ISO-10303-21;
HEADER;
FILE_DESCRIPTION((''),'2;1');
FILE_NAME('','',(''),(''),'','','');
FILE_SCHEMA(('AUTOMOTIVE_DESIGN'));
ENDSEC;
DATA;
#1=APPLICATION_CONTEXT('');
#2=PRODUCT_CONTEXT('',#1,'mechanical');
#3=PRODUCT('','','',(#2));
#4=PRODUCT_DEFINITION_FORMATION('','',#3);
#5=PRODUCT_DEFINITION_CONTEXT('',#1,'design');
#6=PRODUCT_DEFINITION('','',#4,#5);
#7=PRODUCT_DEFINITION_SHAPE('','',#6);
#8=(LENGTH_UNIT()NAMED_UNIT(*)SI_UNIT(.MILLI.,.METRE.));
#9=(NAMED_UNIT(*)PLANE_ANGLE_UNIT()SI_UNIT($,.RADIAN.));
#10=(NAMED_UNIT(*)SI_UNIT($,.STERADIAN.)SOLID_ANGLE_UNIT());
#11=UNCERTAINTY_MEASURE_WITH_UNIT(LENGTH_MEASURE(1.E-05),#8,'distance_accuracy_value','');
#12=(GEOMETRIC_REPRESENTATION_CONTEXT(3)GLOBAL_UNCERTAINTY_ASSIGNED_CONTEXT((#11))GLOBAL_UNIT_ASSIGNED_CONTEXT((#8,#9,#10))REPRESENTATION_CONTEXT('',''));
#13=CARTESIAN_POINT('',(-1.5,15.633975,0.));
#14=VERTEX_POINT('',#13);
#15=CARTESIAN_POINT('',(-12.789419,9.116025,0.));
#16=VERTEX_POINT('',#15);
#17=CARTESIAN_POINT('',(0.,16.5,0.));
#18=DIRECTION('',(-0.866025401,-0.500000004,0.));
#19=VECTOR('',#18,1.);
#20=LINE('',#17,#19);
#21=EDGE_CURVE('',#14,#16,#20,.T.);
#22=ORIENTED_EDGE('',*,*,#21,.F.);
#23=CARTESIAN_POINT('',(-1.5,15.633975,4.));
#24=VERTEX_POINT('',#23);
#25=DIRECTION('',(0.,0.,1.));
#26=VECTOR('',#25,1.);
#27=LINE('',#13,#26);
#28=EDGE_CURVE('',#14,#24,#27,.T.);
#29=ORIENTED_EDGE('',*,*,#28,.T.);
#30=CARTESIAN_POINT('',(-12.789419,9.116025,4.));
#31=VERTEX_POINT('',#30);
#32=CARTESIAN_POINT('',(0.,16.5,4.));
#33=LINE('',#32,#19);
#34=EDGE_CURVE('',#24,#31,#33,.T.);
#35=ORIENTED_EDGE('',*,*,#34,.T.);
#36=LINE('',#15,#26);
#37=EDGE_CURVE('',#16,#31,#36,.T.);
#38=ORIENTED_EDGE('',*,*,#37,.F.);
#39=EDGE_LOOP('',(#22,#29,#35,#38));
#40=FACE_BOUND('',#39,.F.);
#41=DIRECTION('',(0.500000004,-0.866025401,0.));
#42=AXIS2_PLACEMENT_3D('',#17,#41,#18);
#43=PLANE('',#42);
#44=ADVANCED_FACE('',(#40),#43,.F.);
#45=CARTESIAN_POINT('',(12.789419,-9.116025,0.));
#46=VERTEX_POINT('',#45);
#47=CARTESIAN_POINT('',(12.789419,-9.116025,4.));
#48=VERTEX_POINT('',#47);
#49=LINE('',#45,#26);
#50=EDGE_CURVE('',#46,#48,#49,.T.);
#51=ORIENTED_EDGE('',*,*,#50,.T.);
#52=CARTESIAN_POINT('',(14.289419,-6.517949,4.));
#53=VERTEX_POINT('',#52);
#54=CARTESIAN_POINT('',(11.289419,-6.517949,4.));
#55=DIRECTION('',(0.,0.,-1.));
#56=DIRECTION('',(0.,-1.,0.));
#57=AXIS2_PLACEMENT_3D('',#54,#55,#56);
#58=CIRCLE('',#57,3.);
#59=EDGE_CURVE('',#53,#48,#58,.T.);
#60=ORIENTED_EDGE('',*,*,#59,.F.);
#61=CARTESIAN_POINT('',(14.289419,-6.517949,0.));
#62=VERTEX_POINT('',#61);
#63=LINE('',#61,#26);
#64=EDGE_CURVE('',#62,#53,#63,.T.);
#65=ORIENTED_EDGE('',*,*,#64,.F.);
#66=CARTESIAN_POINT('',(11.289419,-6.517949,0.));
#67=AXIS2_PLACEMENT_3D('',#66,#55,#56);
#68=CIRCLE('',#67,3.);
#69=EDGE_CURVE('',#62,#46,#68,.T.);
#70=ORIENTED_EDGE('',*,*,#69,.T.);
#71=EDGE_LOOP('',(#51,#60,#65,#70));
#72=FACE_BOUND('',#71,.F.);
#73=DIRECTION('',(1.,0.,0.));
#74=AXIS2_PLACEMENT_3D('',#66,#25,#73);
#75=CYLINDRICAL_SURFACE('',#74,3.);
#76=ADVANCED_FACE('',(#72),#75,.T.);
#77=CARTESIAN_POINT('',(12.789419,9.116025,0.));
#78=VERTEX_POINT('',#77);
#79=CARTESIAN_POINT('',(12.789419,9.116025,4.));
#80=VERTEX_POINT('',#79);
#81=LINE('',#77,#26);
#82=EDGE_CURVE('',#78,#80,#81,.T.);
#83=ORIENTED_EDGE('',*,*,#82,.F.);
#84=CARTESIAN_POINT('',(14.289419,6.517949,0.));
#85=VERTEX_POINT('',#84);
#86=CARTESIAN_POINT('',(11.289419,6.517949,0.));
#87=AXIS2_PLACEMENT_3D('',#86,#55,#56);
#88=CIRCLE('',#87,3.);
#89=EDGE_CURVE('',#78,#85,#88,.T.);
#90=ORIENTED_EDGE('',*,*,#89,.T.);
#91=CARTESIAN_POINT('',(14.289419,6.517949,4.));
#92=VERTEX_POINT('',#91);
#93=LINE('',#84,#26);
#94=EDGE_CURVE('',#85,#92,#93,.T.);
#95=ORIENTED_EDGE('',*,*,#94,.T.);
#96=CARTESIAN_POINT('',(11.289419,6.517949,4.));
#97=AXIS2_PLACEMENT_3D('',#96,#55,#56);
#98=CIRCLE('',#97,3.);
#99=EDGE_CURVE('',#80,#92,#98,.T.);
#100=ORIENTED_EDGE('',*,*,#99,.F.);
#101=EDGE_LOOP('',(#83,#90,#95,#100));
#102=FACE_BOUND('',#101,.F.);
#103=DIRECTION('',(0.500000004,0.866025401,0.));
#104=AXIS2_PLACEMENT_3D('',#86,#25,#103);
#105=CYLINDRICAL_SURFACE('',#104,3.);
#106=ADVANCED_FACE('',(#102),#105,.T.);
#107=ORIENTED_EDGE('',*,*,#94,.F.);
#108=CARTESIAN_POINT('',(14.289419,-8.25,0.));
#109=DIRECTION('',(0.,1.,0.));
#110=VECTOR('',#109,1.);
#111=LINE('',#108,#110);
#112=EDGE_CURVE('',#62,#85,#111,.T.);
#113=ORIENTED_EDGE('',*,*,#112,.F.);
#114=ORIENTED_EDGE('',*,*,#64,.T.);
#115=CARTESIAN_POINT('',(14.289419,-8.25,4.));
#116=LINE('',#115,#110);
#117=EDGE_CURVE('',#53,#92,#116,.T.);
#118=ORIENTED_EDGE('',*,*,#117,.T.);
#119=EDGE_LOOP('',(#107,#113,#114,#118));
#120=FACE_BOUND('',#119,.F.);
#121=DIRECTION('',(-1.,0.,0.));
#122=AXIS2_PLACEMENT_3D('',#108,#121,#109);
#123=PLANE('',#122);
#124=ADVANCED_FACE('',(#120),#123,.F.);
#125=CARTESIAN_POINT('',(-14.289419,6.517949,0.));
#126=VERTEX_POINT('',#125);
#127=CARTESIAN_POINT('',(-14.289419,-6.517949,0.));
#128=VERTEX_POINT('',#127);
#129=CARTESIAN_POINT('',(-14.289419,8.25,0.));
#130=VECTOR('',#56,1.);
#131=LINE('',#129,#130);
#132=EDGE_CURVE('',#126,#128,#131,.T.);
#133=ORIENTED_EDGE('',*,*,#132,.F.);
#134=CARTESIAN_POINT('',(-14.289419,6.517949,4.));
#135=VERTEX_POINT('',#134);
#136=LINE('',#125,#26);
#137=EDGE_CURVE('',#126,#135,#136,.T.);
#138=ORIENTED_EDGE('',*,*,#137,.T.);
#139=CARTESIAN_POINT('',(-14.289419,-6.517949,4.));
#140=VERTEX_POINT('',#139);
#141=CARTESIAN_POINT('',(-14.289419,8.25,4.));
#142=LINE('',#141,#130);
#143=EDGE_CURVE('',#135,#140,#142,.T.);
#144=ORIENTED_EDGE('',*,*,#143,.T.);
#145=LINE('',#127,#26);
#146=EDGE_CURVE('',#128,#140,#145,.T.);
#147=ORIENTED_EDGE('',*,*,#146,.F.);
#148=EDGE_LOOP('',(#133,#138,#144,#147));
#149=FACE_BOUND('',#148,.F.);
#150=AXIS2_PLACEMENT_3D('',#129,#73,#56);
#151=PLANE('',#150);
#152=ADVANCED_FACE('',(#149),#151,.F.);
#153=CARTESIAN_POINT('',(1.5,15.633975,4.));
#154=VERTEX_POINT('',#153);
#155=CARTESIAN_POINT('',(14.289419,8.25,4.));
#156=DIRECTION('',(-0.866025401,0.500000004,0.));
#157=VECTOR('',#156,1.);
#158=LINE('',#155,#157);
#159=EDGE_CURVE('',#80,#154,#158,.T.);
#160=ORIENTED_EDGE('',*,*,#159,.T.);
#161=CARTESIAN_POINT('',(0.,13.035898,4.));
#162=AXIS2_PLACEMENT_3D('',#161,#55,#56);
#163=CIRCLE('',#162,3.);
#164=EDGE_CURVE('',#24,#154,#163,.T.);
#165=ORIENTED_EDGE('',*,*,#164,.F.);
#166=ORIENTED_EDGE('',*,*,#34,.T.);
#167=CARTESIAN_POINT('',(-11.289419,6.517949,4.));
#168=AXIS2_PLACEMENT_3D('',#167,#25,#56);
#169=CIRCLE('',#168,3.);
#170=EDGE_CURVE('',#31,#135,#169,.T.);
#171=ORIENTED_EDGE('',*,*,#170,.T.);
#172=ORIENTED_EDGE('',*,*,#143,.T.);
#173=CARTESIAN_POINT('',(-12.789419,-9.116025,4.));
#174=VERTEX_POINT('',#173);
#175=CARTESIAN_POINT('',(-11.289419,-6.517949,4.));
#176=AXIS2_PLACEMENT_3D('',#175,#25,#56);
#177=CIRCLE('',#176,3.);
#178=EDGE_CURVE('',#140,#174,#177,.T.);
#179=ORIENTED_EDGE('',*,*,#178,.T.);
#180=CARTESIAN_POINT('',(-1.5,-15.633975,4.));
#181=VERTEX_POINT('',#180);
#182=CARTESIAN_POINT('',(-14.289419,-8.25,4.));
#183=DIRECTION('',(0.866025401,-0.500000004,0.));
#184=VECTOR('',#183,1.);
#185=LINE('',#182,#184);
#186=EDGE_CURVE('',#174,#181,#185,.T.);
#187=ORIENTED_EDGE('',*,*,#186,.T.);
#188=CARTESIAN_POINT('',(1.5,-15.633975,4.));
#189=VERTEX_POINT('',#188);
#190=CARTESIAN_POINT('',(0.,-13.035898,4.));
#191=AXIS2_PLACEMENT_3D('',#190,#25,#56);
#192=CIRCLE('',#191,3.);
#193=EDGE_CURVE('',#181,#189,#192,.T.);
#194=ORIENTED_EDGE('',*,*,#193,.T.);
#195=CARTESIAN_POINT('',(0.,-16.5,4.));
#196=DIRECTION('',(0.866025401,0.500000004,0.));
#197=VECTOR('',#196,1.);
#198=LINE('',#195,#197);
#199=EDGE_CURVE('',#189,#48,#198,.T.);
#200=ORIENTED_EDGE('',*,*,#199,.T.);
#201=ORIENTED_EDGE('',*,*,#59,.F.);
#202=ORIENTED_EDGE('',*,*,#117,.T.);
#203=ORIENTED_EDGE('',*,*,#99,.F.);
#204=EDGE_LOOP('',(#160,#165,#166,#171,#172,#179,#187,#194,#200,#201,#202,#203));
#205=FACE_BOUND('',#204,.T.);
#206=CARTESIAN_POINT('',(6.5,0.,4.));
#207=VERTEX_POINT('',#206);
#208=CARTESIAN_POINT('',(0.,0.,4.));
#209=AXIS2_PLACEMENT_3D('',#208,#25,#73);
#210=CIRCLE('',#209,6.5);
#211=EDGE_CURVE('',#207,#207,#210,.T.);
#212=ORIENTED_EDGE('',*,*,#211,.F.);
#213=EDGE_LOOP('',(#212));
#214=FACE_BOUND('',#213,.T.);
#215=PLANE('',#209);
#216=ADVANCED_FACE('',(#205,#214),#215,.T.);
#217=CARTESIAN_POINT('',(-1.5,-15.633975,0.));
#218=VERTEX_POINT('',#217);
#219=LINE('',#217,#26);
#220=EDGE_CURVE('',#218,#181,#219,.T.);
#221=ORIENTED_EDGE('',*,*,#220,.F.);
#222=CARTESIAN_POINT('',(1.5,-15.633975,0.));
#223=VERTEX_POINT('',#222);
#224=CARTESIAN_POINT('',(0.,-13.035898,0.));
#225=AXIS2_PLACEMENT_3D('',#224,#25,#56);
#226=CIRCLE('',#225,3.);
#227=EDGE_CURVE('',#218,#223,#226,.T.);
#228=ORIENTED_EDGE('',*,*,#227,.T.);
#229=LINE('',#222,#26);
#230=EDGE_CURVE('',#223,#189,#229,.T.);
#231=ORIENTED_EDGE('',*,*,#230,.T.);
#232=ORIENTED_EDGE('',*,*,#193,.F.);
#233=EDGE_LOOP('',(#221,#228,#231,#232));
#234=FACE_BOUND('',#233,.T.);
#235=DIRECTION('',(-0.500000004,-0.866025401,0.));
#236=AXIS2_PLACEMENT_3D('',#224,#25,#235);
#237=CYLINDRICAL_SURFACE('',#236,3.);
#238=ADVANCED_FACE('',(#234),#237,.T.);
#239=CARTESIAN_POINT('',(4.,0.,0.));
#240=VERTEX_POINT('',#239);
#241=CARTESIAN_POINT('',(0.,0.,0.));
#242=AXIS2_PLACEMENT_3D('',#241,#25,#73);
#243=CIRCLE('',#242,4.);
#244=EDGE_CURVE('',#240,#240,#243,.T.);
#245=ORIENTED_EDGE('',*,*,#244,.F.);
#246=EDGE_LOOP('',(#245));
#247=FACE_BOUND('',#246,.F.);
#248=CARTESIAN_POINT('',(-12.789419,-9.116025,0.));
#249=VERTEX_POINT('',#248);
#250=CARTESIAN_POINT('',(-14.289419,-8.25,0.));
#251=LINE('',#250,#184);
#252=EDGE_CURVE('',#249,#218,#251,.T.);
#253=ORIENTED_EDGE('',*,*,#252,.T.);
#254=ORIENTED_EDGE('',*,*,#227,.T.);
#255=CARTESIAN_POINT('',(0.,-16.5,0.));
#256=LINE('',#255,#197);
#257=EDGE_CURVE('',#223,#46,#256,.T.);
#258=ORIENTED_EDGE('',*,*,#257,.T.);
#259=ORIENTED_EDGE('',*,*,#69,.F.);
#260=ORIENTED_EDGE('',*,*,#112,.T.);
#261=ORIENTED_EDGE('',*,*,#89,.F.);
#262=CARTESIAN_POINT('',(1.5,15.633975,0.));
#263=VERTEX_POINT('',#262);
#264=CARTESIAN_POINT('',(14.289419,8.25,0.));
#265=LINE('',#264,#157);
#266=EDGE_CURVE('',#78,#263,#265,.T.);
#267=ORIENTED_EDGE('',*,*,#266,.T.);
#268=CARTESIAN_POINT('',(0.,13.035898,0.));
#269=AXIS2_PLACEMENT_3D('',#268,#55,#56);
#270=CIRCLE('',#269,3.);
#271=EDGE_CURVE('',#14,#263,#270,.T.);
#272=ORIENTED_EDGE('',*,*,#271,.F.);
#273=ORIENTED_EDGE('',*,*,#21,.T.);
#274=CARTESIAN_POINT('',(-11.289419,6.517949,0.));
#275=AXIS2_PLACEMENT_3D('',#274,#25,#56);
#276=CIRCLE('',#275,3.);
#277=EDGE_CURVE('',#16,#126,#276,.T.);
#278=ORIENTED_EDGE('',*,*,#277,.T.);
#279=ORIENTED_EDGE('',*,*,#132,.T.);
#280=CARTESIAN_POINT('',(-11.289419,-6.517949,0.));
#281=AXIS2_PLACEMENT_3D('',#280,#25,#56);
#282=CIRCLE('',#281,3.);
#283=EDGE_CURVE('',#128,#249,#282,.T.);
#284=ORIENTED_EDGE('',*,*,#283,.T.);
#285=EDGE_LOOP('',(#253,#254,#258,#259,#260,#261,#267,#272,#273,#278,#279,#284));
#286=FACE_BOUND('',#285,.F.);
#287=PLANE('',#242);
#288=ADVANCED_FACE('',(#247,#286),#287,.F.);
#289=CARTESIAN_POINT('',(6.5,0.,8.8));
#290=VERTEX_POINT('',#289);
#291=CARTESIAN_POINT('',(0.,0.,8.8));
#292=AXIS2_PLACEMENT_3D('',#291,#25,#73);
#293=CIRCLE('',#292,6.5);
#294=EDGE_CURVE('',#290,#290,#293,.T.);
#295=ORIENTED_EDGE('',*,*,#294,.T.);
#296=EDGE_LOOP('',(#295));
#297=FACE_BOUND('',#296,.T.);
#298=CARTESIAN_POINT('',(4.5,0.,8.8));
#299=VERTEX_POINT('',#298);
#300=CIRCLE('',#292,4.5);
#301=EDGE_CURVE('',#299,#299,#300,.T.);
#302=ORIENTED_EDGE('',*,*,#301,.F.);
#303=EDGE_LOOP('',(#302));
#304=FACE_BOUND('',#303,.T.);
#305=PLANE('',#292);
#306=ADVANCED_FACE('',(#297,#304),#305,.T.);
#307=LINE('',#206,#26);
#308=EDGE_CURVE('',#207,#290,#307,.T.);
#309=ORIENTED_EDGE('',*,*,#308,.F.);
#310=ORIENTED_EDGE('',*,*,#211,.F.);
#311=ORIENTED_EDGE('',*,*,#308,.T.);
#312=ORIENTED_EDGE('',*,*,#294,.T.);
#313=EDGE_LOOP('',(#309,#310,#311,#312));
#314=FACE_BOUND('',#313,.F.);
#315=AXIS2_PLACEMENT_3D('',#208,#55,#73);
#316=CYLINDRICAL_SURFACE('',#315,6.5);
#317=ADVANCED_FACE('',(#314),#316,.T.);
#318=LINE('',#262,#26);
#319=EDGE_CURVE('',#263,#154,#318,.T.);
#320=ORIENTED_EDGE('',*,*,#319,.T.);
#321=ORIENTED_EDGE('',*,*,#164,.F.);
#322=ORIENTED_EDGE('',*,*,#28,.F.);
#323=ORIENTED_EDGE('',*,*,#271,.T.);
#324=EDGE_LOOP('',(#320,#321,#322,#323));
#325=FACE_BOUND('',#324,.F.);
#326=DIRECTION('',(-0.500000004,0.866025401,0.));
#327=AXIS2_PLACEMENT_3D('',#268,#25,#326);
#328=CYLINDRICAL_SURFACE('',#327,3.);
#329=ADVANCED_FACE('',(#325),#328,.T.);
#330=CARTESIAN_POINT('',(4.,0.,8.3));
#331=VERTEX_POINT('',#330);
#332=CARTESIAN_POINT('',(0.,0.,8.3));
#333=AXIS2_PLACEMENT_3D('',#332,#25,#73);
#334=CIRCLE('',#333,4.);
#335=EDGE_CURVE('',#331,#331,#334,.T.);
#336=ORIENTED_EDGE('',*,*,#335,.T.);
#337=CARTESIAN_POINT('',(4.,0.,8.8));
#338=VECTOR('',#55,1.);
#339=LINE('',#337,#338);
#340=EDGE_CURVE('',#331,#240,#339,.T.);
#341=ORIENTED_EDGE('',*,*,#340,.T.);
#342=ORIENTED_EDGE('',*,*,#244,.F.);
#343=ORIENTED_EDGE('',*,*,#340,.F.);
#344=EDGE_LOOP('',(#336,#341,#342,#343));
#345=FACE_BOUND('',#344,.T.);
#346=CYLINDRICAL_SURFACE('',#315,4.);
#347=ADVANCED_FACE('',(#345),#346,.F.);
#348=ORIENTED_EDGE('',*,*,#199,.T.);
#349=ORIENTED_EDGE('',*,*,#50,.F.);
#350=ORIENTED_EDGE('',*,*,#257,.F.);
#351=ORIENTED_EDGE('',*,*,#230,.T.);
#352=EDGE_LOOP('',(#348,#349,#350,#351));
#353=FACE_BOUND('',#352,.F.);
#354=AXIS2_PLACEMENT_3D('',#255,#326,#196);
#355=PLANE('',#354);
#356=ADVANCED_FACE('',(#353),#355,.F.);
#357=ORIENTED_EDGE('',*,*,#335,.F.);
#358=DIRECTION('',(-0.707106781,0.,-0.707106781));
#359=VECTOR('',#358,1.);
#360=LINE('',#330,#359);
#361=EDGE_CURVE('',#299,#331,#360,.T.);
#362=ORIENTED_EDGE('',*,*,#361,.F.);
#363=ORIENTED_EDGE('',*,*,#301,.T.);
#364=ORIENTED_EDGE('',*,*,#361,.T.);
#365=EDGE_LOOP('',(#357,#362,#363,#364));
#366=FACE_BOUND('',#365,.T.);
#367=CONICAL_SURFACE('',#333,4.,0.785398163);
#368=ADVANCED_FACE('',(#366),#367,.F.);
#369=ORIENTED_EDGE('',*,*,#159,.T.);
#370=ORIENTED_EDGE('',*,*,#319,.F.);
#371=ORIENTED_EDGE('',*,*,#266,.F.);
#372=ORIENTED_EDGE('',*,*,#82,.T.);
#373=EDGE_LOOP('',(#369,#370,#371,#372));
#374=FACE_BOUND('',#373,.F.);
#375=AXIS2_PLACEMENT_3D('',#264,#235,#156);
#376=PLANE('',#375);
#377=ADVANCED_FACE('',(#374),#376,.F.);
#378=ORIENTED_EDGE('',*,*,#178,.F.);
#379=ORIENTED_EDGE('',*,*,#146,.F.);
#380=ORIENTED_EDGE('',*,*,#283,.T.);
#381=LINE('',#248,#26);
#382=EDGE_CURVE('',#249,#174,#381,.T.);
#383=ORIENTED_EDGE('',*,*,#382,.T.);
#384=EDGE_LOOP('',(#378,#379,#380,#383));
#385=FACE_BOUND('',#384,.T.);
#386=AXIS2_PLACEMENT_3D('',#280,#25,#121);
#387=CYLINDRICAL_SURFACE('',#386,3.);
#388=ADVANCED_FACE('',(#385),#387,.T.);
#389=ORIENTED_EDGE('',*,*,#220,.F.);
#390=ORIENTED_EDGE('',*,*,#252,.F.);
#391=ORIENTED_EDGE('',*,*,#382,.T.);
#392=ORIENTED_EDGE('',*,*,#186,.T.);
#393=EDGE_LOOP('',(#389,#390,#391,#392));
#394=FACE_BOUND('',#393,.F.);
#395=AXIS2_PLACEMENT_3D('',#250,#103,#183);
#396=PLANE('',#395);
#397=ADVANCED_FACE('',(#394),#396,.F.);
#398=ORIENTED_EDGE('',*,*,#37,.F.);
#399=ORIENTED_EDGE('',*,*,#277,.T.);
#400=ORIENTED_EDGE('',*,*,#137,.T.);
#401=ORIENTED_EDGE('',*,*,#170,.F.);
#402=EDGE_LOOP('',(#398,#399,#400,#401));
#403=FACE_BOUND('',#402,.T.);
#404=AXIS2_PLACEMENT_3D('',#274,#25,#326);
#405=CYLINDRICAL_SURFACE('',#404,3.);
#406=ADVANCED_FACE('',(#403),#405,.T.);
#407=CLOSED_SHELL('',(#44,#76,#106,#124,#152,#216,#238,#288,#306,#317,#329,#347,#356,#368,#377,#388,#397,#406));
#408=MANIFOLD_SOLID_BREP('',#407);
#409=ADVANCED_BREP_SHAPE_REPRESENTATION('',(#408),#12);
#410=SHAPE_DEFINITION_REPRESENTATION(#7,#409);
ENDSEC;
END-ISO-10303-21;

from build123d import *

# Parameters (mm, degrees)
SKETCH_R      = 4
PAD_DEPTH     = 4
SKETCH001_R   = 6.5
SKETCH001_R_2 = 4
PAD001_DEPTH  = 4.8
CHAMFER_SIZE  = 0.5
FILLET_R      = 3


with BuildPart() as part:
    # Sketch → Pad (new body)
    with BuildSketch(Plane.XY):
        Polygon((0, 16.5), (-14.289419, 8.25), (-14.289419, -8.25), (0, -16.5), (14.289419, -8.25), (14.289419, 8.25), align=None)
        Circle(SKETCH_R, mode=Mode.SUBTRACT)
    extrude(amount=PAD_DEPTH)

    # Sketch001 (on Face9 of Pad) → Pad001 (join)
    with BuildSketch(Plane.XY.offset(4)):
        Circle(SKETCH001_R)
        Circle(SKETCH001_R_2, mode=Mode.SUBTRACT)
    extrude(amount=PAD001_DEPTH)

    # Chamfer
    chamfer_edges = [part.edges().sort_by_distance(p)[0] for p in [
        (-4, 0, 8.8),
    ]]
    chamfer(chamfer_edges, length=CHAMFER_SIZE)

    # Fillet
    fillet_edges = [part.edges().sort_by_distance(p)[0] for p in [
        (0, -16.5, 2),
        (14.289419, -8.25, 2),
        (14.289419, 8.25, 2),
        (-14.289419, -8.25, 2),
        (-14.289419, 8.25, 2),
        (0, 16.5, 2),
    ]]
    fillet(fillet_edges, radius=FILLET_R)


solid = part.part
